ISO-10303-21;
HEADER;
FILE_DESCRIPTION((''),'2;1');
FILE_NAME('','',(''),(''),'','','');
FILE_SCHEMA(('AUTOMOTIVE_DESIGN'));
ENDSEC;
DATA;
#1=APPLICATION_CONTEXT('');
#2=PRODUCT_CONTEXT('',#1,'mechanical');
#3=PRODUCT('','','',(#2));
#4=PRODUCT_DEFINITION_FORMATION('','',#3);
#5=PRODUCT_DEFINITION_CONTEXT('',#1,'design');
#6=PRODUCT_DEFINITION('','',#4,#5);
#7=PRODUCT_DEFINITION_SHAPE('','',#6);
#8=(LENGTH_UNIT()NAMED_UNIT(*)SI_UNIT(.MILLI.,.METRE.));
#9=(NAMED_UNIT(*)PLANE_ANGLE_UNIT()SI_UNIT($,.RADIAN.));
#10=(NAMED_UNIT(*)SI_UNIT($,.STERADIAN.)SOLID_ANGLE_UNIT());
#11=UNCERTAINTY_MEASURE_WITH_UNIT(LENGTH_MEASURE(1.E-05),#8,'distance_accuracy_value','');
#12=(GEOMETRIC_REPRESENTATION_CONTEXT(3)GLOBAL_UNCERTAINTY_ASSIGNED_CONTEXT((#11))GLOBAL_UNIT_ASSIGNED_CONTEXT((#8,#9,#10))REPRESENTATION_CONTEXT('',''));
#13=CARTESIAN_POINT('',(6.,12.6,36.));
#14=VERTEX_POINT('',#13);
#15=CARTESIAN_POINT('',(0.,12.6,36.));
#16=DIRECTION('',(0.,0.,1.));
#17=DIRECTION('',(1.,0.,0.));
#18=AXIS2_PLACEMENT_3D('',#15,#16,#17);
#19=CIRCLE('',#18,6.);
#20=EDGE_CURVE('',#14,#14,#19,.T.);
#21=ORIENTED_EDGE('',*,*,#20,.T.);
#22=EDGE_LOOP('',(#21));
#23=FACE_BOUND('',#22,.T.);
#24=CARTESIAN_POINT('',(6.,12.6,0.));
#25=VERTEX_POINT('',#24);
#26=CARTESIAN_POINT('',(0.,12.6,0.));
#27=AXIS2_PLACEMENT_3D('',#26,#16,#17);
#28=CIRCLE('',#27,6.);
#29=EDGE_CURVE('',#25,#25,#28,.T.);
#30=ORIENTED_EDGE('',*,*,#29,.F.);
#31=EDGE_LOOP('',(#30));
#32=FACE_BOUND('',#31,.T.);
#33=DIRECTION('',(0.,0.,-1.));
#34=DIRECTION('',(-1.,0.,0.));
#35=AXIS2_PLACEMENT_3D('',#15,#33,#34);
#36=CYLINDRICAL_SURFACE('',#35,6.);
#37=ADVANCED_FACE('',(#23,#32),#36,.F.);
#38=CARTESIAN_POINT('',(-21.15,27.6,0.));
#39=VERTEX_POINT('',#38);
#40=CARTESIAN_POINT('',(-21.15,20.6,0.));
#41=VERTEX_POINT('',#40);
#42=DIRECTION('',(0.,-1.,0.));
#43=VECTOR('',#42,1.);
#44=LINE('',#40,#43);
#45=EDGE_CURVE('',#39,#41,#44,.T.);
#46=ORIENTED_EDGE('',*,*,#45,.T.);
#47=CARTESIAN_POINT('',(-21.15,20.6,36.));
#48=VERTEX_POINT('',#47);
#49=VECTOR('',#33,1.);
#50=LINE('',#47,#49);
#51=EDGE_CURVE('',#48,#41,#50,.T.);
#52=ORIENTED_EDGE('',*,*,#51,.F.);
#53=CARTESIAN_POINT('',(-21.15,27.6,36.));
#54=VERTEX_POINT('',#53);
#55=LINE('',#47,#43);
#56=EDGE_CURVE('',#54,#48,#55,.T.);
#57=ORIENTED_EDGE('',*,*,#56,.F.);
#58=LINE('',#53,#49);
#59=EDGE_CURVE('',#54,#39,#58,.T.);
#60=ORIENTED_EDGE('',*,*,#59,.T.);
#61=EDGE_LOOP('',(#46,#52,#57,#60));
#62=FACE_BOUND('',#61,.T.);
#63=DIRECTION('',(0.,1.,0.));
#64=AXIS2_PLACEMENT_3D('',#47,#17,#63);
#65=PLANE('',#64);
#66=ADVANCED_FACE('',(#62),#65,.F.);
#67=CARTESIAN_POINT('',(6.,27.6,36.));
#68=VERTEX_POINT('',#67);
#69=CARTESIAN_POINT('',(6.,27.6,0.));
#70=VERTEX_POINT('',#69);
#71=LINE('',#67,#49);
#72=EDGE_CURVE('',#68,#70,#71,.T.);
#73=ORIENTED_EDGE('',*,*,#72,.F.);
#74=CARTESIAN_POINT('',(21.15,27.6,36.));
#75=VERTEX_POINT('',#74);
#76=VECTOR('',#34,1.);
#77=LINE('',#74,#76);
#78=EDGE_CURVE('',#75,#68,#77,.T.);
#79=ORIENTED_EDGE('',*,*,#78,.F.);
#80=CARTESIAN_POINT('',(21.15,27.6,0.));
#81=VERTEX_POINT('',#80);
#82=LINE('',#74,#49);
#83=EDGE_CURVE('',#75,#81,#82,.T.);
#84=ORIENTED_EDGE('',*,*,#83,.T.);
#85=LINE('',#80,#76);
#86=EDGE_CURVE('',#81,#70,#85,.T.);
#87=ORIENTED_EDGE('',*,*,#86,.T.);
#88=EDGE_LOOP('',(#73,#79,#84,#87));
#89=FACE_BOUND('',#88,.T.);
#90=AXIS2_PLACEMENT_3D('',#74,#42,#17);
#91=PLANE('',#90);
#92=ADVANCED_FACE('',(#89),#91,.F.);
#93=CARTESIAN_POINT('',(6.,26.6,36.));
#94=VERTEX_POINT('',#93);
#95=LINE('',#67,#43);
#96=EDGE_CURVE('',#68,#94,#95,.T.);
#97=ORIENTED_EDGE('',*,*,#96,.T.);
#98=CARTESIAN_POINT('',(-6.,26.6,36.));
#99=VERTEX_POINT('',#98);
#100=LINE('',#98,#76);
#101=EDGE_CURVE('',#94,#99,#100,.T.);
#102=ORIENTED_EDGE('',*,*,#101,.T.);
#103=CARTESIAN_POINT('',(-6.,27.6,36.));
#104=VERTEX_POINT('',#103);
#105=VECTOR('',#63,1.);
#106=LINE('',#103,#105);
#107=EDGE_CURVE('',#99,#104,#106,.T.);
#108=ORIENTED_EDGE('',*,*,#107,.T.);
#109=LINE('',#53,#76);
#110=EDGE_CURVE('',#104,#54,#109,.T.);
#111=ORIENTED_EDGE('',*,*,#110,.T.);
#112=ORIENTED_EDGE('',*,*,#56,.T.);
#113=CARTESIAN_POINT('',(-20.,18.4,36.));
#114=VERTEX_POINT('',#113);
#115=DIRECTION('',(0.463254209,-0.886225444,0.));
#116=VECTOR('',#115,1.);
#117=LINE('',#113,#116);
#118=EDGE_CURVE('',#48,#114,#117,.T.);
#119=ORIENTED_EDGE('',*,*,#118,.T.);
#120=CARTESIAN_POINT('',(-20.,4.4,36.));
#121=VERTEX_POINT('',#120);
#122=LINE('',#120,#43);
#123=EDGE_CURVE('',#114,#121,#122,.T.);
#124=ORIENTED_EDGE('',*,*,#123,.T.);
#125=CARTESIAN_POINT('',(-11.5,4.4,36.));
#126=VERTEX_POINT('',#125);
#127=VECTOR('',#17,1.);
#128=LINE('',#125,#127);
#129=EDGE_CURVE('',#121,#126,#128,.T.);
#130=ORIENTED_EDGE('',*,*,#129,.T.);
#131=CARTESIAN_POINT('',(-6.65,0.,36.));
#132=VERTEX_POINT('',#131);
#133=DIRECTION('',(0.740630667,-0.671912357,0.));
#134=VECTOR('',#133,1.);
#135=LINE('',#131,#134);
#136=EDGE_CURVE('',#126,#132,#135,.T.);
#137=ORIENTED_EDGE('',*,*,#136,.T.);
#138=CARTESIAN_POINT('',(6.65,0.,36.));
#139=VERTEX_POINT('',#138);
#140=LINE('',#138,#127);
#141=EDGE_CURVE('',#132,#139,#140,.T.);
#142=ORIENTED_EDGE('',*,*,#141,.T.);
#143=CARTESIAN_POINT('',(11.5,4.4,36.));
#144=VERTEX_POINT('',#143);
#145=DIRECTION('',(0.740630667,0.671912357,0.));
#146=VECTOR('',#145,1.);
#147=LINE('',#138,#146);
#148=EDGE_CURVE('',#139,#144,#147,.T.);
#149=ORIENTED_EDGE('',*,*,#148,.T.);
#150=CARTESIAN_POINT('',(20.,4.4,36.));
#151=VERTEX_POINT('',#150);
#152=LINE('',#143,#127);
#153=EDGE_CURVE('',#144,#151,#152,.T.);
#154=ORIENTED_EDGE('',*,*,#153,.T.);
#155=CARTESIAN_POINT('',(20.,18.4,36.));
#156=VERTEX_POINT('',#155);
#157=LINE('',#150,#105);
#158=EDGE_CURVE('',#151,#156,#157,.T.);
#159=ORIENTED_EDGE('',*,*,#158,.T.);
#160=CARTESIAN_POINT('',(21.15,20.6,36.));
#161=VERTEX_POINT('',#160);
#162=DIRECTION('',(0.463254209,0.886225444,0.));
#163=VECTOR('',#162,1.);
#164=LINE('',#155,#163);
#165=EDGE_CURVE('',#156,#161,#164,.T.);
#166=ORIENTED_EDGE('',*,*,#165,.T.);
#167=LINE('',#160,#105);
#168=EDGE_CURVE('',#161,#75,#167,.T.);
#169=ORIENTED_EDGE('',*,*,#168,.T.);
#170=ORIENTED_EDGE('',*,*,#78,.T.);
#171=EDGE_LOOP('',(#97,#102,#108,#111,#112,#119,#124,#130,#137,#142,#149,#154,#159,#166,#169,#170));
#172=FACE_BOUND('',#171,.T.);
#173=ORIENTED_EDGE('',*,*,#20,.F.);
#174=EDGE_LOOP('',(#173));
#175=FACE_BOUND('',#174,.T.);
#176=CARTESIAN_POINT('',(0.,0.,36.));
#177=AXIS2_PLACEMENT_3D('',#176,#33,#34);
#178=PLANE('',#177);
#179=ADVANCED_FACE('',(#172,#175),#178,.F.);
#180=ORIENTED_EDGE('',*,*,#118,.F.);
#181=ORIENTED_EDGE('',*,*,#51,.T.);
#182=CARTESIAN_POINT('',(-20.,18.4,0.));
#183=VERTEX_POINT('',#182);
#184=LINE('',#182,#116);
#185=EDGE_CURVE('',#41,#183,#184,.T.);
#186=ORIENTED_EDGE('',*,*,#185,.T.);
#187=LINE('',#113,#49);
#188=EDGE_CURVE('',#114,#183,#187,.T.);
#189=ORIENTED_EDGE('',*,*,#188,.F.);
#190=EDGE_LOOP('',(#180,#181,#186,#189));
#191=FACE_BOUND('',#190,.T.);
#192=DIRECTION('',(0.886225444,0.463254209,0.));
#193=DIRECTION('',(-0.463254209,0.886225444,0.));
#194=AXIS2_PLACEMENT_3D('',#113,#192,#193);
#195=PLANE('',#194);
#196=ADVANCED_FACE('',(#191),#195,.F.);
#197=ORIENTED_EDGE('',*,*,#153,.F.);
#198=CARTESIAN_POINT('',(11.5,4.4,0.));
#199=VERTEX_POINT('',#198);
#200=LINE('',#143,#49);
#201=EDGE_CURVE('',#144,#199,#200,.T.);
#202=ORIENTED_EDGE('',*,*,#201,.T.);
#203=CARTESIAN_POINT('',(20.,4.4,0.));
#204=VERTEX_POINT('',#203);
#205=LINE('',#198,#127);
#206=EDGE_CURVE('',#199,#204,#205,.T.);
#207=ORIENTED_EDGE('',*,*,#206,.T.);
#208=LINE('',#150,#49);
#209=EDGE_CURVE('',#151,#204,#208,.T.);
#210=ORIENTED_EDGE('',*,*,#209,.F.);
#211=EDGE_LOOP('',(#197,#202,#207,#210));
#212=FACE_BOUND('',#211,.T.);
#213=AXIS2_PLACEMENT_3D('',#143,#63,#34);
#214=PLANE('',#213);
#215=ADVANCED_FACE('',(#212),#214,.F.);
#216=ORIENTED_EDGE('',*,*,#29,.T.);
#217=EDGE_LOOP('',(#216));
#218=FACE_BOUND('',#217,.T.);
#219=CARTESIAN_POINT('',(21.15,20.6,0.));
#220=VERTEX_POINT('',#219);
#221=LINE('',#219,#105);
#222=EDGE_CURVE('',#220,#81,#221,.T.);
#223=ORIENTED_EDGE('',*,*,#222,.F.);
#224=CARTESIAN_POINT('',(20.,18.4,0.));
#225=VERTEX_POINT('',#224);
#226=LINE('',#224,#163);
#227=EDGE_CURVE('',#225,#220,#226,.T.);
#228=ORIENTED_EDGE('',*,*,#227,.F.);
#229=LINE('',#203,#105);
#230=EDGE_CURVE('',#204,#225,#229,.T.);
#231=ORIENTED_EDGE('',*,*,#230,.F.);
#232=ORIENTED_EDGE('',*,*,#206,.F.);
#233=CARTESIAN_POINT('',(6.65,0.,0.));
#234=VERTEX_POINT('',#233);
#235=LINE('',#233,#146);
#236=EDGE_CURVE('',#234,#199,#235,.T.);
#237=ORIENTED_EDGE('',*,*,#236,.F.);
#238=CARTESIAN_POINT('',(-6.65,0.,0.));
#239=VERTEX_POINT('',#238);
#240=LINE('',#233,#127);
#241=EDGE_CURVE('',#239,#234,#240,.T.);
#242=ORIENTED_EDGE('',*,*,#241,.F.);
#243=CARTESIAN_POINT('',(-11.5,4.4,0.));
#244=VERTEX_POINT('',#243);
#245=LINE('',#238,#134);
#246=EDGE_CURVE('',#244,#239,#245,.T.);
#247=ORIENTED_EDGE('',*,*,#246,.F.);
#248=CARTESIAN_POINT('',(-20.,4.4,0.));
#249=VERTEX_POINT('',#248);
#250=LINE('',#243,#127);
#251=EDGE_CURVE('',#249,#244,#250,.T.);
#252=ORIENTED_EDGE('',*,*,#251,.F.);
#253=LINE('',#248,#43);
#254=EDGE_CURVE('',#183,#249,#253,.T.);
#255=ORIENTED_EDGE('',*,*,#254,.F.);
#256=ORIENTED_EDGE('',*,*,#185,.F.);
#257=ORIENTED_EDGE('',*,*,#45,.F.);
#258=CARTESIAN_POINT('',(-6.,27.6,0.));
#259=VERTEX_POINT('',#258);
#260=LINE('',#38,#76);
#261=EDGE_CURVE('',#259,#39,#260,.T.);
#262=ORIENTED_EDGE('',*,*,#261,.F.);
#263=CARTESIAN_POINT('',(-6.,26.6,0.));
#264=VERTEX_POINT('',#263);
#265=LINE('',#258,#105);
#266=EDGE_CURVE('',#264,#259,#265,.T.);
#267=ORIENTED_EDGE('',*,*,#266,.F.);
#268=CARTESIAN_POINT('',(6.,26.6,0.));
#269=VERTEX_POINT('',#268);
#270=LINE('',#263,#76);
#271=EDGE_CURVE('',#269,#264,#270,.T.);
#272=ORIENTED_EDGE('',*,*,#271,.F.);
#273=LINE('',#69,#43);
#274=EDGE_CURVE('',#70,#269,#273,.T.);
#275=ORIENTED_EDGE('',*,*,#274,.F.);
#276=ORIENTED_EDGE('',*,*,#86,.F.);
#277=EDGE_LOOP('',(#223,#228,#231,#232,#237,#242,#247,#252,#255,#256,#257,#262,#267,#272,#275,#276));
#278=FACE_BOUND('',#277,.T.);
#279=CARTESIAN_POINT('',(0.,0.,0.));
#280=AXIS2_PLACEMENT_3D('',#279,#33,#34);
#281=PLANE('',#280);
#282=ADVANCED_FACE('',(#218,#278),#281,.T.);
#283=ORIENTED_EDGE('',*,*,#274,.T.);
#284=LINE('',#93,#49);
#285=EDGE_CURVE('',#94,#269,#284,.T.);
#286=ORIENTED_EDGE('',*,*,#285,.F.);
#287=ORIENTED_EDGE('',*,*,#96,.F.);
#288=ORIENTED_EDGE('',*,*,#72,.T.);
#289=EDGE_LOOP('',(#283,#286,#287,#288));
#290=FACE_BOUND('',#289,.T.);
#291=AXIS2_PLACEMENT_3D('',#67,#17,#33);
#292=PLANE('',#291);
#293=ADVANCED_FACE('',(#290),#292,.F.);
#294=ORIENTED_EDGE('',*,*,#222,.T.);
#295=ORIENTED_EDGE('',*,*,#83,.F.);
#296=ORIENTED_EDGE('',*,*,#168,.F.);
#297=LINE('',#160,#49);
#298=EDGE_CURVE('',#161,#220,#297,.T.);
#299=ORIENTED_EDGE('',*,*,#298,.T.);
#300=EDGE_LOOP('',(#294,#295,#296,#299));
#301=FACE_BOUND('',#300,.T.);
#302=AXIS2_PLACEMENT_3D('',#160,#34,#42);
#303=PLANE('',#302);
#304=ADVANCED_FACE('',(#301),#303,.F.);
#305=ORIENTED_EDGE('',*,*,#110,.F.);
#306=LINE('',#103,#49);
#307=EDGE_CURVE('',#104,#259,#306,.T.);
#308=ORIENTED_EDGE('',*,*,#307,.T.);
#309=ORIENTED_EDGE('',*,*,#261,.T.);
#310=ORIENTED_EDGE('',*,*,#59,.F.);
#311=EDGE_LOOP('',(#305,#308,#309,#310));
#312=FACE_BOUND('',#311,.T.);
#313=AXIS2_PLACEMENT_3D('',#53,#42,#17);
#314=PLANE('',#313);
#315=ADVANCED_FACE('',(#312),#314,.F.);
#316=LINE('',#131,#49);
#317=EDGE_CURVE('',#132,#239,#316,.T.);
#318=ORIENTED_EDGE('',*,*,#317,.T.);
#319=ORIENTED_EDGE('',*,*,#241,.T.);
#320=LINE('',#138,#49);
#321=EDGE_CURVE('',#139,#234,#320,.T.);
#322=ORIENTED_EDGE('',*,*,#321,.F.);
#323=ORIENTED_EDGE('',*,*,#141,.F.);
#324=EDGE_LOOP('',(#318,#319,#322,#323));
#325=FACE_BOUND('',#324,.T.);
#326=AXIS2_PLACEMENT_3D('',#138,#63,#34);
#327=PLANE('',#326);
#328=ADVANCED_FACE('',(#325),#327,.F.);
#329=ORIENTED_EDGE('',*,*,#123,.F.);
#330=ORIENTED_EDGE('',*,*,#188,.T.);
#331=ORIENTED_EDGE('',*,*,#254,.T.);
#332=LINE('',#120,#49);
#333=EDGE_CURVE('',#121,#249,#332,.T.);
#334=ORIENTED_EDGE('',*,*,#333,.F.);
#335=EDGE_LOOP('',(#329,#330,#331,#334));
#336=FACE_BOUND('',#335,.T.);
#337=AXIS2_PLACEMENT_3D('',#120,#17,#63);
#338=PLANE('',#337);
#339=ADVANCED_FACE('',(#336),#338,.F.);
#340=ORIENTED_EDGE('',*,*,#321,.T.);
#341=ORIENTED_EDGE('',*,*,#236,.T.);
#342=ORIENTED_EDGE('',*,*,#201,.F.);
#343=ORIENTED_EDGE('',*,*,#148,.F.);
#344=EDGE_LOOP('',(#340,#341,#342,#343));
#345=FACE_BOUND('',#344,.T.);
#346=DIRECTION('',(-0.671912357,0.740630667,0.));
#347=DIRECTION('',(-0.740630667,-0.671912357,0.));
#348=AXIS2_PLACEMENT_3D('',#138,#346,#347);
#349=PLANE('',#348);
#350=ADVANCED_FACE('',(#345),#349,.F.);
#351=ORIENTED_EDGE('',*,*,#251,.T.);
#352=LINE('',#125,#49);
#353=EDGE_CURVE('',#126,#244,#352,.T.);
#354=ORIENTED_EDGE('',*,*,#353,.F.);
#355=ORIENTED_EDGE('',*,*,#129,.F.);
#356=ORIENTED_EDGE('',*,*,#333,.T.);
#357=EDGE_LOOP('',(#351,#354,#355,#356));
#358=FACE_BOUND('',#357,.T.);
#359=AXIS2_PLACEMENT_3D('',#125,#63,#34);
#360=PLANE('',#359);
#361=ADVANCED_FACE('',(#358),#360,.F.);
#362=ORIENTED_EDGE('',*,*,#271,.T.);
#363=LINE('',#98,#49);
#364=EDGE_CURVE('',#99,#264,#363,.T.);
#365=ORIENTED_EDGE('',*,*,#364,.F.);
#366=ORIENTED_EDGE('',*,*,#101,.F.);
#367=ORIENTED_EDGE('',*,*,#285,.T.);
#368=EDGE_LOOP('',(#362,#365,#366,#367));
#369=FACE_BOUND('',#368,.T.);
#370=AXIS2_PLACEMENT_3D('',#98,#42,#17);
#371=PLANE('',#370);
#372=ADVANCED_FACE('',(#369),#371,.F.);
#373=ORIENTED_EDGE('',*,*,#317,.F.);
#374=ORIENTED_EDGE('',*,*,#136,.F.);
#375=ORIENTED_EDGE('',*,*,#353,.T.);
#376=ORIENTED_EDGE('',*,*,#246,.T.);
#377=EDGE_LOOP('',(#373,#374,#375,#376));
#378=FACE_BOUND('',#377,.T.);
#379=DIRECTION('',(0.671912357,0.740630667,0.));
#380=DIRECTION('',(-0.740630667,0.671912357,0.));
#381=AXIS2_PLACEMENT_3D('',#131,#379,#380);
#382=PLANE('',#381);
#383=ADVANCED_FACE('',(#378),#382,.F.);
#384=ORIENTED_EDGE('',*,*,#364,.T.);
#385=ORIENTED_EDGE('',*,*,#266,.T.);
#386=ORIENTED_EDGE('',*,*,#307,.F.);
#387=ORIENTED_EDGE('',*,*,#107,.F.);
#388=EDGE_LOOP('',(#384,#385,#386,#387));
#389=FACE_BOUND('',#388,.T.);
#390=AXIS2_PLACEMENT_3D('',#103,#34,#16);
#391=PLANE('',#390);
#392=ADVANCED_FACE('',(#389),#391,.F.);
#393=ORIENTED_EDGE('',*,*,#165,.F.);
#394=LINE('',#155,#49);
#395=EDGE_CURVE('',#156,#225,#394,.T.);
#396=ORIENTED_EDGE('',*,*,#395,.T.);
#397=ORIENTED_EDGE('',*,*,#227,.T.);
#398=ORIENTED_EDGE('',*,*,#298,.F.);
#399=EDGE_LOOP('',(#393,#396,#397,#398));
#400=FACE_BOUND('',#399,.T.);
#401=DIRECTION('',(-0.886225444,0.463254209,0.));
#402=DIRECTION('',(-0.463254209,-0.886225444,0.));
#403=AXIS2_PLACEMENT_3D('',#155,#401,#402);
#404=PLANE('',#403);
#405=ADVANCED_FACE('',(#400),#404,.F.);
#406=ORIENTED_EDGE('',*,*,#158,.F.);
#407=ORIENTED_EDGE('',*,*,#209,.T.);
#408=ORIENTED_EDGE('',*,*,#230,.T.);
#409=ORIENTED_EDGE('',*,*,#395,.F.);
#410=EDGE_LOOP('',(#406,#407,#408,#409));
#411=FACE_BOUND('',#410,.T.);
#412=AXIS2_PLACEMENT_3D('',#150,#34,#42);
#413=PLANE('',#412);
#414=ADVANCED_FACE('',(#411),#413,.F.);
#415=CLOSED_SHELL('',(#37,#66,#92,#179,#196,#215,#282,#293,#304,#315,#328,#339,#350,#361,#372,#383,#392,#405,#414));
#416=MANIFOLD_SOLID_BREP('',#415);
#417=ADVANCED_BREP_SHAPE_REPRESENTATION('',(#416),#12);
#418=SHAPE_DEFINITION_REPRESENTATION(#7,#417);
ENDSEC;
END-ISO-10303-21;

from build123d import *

# Parameters (mm, degrees)
SKETCH_1_R      = 6
EXTRUDE_1_DEPTH = 36


with BuildPart() as part:
    # 草图1 → 凸台-拉伸1 (new body)
    with BuildSketch(Plane.XY):
        Polygon((6.65, 0), (-6.65, 0), (-11.5, 4.4), (-20, 4.4), (-20, 18.4), (-21.15, 20.6), (-21.15, 27.6), (-6, 27.6), (-6, 26.6), (6, 26.6), (6, 27.6), (21.15, 27.6), (21.15, 20.6), (20, 18.4), (20, 4.4), (11.5, 4.4), align=None)
        with Locations((0, 12.6)):
            Circle(SKETCH_1_R, mode=Mode.SUBTRACT)
    extrude(amount=EXTRUDE_1_DEPTH)


solid = part.part
